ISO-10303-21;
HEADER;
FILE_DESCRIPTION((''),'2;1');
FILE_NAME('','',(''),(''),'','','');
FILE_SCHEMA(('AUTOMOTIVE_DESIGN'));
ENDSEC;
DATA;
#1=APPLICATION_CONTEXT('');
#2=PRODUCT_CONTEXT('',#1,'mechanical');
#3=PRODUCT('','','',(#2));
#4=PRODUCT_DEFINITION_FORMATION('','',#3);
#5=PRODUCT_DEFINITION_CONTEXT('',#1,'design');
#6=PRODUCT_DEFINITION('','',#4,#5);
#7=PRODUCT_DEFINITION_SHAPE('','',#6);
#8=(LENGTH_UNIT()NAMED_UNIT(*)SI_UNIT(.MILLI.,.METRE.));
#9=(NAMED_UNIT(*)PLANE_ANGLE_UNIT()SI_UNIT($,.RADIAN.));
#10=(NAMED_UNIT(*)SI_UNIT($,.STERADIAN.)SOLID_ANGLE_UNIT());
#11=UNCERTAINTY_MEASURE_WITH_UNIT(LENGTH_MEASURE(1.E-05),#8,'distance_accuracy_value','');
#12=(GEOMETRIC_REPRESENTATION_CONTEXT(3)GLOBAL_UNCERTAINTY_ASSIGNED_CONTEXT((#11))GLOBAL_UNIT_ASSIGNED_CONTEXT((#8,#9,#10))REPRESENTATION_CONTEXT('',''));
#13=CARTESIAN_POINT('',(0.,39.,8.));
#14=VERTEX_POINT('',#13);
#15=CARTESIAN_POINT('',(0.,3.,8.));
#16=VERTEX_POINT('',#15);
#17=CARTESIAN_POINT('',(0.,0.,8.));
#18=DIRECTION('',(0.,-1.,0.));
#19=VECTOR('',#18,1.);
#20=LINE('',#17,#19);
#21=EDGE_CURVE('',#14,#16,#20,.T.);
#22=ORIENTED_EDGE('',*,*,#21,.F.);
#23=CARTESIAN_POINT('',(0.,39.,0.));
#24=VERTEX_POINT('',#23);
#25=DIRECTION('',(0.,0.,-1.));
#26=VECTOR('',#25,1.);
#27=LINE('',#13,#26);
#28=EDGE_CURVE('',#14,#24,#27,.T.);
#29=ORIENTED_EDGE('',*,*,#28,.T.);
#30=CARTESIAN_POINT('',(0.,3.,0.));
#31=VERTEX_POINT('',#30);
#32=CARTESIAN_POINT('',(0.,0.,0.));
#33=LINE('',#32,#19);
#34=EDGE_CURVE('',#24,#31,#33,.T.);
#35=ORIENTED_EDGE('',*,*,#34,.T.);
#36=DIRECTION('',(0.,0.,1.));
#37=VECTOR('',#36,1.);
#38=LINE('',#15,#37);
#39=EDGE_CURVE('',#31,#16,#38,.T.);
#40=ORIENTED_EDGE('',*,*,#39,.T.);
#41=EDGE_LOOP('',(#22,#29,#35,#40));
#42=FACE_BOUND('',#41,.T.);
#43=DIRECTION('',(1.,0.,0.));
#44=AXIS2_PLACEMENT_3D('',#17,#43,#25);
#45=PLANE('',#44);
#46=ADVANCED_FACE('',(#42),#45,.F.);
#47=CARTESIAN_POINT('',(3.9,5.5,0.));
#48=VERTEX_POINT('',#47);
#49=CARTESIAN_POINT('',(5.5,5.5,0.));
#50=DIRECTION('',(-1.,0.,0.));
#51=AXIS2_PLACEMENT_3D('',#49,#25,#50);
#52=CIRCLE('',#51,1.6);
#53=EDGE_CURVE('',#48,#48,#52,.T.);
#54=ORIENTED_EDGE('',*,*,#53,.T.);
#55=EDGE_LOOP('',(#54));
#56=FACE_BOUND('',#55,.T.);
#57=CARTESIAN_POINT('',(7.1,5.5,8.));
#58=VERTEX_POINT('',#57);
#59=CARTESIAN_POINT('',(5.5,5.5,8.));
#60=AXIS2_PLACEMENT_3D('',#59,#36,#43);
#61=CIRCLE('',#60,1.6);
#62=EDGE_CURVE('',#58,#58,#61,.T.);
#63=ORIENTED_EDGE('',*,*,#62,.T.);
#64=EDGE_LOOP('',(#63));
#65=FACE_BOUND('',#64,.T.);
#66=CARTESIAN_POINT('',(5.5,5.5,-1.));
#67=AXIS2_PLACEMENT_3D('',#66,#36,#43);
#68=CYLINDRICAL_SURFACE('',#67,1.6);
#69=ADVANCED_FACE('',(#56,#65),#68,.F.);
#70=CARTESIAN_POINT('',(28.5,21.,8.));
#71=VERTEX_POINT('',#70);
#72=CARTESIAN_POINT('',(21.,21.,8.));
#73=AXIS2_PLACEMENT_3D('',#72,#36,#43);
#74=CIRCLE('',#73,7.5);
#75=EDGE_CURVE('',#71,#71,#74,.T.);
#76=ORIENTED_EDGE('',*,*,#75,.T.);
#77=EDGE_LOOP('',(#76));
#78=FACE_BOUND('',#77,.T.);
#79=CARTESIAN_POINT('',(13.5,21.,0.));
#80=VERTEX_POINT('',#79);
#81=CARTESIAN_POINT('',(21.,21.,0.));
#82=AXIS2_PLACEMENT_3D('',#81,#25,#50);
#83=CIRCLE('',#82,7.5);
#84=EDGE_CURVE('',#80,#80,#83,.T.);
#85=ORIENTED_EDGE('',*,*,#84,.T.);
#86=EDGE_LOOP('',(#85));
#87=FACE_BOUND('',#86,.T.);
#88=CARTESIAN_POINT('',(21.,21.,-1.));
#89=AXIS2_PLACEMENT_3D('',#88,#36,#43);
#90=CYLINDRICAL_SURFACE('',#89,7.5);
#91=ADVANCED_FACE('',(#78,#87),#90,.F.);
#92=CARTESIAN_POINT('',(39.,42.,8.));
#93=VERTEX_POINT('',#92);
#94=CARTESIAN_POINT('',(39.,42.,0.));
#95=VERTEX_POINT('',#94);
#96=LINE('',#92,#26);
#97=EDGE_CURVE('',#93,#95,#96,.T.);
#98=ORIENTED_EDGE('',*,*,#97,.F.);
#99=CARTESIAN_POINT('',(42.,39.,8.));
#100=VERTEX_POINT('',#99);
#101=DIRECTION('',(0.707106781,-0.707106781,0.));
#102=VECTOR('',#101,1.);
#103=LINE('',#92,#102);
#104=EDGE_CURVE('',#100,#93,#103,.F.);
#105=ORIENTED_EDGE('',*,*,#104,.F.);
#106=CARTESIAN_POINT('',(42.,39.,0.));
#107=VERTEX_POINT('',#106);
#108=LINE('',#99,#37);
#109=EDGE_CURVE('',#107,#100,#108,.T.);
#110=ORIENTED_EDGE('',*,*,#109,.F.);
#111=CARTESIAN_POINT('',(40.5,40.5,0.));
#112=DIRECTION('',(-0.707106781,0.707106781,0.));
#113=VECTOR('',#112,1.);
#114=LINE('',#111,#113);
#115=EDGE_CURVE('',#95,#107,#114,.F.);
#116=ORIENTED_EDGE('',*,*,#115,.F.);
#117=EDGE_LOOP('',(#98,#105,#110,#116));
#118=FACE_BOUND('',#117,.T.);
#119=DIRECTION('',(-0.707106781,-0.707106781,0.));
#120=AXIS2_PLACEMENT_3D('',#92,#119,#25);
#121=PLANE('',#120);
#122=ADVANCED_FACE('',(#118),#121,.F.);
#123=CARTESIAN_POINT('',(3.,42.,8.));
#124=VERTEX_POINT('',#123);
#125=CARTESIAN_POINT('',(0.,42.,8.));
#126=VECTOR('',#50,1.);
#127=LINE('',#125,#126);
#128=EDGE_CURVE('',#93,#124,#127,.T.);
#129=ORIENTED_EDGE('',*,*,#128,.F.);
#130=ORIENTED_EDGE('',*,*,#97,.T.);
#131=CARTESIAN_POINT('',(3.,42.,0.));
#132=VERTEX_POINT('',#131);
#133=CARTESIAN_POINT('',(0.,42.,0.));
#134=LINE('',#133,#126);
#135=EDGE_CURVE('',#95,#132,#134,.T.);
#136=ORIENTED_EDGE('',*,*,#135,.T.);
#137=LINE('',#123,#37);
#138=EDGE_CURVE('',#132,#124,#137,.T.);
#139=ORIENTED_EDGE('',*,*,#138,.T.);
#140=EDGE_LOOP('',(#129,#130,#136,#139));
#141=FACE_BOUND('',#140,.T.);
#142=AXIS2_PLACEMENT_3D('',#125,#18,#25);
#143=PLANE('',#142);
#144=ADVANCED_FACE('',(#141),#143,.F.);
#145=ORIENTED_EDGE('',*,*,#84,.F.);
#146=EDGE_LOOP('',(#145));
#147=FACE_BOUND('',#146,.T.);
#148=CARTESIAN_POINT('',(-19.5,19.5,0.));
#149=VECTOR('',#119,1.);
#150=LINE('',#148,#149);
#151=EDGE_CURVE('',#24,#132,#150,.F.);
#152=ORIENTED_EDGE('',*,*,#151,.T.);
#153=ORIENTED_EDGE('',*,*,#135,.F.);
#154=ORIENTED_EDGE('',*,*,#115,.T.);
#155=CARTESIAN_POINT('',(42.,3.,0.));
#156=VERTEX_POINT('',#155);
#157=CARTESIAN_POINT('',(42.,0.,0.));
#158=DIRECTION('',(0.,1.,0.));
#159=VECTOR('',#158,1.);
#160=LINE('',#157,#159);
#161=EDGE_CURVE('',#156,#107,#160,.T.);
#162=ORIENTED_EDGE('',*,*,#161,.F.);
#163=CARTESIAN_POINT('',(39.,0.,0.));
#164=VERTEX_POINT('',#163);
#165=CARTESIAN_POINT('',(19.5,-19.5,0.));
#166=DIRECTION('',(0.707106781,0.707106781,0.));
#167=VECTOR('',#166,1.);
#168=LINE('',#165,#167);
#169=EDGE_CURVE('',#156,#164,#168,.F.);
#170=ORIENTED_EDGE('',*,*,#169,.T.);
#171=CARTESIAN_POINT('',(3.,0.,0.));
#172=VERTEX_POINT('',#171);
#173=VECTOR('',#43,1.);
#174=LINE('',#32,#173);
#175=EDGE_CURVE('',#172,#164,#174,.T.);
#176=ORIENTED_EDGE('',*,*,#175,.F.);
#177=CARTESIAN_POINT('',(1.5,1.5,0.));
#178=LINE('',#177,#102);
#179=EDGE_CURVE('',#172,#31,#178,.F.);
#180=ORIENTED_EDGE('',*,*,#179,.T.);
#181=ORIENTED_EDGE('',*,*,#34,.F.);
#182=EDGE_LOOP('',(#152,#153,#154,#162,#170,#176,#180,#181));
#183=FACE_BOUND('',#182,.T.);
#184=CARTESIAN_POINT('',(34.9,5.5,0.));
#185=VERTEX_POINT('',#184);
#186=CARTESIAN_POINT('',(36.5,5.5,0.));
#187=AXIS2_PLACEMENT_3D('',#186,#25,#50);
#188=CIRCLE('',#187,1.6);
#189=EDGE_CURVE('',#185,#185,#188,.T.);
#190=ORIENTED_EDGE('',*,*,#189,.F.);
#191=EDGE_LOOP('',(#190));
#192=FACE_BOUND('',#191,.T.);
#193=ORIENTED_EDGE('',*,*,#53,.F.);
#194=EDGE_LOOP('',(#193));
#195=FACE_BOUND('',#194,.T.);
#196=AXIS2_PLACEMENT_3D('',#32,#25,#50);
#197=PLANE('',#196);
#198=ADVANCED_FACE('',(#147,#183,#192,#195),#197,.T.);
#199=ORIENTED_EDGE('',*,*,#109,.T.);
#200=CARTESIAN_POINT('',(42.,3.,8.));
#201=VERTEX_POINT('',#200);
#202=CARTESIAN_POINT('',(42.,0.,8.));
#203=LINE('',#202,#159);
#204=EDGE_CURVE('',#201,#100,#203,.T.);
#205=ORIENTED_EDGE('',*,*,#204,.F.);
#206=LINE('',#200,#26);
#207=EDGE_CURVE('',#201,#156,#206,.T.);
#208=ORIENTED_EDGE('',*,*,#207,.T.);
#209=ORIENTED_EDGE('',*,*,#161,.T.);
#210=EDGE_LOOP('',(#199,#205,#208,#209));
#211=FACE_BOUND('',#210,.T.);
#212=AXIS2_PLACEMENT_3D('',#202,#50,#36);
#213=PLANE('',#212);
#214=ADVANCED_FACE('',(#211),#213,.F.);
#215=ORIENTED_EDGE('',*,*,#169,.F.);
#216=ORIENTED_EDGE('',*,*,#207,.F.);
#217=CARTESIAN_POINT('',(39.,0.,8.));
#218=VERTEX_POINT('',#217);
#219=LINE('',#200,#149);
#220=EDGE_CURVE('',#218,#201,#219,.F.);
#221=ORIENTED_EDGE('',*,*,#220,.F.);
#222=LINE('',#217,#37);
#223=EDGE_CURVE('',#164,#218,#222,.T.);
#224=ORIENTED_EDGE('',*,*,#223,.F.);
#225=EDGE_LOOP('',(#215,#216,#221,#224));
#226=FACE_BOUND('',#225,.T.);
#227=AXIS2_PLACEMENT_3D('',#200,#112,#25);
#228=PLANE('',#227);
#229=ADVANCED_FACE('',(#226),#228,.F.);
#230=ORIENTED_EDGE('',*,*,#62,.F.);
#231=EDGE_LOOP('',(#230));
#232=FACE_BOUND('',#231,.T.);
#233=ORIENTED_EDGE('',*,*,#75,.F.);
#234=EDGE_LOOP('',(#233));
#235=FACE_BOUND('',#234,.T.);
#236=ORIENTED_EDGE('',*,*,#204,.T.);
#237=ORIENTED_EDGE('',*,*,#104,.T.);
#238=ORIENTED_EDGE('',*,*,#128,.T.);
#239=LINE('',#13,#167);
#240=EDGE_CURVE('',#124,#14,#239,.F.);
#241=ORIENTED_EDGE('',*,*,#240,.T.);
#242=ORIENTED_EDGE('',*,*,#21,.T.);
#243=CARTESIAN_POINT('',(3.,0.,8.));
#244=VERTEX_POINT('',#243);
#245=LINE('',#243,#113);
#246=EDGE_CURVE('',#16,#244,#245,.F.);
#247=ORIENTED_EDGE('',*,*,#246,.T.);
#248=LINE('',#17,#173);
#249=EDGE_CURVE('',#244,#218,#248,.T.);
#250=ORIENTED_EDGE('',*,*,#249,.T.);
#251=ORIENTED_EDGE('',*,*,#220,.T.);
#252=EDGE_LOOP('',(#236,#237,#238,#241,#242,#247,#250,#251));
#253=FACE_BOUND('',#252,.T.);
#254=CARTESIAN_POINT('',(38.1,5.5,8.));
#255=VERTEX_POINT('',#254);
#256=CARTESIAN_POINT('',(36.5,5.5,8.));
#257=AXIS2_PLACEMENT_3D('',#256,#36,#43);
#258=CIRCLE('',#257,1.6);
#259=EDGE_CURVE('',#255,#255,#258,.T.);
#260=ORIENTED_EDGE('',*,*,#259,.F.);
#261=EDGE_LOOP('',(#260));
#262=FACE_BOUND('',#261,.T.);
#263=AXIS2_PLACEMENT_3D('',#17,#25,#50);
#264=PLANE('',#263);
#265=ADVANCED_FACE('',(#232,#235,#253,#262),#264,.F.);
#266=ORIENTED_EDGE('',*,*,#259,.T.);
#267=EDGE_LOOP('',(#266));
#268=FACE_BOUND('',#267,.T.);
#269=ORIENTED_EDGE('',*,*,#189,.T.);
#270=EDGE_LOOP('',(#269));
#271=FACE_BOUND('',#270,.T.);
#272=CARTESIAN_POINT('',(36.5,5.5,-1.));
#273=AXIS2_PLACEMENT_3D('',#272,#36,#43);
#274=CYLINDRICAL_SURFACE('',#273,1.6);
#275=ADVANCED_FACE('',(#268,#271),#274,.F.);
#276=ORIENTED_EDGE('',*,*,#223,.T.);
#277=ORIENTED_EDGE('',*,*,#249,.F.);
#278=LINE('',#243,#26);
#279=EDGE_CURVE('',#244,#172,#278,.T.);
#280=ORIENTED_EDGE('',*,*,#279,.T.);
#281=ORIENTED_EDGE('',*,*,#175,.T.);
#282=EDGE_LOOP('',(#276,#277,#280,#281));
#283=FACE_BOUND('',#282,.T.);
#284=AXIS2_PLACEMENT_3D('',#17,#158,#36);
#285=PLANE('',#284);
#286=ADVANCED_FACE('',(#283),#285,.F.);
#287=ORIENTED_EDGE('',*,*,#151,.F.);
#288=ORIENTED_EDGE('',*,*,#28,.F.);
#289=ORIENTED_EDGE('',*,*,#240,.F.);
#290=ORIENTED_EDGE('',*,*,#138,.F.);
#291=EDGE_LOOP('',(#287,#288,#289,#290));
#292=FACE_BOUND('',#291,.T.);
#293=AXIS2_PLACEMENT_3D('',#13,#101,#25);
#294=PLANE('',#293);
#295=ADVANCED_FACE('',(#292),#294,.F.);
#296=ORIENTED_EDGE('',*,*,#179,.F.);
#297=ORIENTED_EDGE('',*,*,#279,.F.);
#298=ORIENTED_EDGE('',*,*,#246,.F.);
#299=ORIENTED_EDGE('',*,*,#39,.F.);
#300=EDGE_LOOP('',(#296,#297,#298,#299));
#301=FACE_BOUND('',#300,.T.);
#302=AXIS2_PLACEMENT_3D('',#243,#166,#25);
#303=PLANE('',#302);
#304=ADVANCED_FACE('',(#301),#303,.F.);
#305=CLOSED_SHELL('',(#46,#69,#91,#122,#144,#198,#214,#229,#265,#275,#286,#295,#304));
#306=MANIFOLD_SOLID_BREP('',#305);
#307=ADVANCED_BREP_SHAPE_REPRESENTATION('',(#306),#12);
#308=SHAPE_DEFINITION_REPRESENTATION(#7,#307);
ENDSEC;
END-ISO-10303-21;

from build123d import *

# Parameters (mm, degrees)
SKETCH1_W           = 42
SKETCH1_H           = 42
BOSS_EXTRUDE1_DEPTH = 8
SKETCH2_R           = 1.6
SKETCH2_R_2         = 7.5
CUT_EXTRUDE1_DEPTH  = 9
CHAMFER1_SIZE       = 3


with BuildPart() as part:
    # Sketch1 → Boss-Extrude1 (new body)
    with BuildSketch(Plane.XY):
        with Locations((21, 21)):
            Rectangle(SKETCH1_W, SKETCH1_H)
    extrude(amount=BOSS_EXTRUDE1_DEPTH)

    # Sketch2 → Cut-Extrude1 (cut)
    with BuildSketch(Plane.XY.offset(8)):
        with Locations((36.5, 5.5)):
            Circle(SKETCH2_R)
        with Locations((5.5, 5.5)):
            Circle(SKETCH2_R)
        with Locations((21, 21)):
            Circle(SKETCH2_R_2)
    extrude(amount=-CUT_EXTRUDE1_DEPTH, mode=Mode.SUBTRACT)

    # Chamfer1
    chamfer1_edges = [part.edges().sort_by_distance(p)[0] for p in [
        (0, 42, 4),
        (42, 42, 4),
        (42, 0, 4),
        (0, 0, 4),
    ]]
    chamfer(chamfer1_edges, length=CHAMFER1_SIZE)


solid = part.part
